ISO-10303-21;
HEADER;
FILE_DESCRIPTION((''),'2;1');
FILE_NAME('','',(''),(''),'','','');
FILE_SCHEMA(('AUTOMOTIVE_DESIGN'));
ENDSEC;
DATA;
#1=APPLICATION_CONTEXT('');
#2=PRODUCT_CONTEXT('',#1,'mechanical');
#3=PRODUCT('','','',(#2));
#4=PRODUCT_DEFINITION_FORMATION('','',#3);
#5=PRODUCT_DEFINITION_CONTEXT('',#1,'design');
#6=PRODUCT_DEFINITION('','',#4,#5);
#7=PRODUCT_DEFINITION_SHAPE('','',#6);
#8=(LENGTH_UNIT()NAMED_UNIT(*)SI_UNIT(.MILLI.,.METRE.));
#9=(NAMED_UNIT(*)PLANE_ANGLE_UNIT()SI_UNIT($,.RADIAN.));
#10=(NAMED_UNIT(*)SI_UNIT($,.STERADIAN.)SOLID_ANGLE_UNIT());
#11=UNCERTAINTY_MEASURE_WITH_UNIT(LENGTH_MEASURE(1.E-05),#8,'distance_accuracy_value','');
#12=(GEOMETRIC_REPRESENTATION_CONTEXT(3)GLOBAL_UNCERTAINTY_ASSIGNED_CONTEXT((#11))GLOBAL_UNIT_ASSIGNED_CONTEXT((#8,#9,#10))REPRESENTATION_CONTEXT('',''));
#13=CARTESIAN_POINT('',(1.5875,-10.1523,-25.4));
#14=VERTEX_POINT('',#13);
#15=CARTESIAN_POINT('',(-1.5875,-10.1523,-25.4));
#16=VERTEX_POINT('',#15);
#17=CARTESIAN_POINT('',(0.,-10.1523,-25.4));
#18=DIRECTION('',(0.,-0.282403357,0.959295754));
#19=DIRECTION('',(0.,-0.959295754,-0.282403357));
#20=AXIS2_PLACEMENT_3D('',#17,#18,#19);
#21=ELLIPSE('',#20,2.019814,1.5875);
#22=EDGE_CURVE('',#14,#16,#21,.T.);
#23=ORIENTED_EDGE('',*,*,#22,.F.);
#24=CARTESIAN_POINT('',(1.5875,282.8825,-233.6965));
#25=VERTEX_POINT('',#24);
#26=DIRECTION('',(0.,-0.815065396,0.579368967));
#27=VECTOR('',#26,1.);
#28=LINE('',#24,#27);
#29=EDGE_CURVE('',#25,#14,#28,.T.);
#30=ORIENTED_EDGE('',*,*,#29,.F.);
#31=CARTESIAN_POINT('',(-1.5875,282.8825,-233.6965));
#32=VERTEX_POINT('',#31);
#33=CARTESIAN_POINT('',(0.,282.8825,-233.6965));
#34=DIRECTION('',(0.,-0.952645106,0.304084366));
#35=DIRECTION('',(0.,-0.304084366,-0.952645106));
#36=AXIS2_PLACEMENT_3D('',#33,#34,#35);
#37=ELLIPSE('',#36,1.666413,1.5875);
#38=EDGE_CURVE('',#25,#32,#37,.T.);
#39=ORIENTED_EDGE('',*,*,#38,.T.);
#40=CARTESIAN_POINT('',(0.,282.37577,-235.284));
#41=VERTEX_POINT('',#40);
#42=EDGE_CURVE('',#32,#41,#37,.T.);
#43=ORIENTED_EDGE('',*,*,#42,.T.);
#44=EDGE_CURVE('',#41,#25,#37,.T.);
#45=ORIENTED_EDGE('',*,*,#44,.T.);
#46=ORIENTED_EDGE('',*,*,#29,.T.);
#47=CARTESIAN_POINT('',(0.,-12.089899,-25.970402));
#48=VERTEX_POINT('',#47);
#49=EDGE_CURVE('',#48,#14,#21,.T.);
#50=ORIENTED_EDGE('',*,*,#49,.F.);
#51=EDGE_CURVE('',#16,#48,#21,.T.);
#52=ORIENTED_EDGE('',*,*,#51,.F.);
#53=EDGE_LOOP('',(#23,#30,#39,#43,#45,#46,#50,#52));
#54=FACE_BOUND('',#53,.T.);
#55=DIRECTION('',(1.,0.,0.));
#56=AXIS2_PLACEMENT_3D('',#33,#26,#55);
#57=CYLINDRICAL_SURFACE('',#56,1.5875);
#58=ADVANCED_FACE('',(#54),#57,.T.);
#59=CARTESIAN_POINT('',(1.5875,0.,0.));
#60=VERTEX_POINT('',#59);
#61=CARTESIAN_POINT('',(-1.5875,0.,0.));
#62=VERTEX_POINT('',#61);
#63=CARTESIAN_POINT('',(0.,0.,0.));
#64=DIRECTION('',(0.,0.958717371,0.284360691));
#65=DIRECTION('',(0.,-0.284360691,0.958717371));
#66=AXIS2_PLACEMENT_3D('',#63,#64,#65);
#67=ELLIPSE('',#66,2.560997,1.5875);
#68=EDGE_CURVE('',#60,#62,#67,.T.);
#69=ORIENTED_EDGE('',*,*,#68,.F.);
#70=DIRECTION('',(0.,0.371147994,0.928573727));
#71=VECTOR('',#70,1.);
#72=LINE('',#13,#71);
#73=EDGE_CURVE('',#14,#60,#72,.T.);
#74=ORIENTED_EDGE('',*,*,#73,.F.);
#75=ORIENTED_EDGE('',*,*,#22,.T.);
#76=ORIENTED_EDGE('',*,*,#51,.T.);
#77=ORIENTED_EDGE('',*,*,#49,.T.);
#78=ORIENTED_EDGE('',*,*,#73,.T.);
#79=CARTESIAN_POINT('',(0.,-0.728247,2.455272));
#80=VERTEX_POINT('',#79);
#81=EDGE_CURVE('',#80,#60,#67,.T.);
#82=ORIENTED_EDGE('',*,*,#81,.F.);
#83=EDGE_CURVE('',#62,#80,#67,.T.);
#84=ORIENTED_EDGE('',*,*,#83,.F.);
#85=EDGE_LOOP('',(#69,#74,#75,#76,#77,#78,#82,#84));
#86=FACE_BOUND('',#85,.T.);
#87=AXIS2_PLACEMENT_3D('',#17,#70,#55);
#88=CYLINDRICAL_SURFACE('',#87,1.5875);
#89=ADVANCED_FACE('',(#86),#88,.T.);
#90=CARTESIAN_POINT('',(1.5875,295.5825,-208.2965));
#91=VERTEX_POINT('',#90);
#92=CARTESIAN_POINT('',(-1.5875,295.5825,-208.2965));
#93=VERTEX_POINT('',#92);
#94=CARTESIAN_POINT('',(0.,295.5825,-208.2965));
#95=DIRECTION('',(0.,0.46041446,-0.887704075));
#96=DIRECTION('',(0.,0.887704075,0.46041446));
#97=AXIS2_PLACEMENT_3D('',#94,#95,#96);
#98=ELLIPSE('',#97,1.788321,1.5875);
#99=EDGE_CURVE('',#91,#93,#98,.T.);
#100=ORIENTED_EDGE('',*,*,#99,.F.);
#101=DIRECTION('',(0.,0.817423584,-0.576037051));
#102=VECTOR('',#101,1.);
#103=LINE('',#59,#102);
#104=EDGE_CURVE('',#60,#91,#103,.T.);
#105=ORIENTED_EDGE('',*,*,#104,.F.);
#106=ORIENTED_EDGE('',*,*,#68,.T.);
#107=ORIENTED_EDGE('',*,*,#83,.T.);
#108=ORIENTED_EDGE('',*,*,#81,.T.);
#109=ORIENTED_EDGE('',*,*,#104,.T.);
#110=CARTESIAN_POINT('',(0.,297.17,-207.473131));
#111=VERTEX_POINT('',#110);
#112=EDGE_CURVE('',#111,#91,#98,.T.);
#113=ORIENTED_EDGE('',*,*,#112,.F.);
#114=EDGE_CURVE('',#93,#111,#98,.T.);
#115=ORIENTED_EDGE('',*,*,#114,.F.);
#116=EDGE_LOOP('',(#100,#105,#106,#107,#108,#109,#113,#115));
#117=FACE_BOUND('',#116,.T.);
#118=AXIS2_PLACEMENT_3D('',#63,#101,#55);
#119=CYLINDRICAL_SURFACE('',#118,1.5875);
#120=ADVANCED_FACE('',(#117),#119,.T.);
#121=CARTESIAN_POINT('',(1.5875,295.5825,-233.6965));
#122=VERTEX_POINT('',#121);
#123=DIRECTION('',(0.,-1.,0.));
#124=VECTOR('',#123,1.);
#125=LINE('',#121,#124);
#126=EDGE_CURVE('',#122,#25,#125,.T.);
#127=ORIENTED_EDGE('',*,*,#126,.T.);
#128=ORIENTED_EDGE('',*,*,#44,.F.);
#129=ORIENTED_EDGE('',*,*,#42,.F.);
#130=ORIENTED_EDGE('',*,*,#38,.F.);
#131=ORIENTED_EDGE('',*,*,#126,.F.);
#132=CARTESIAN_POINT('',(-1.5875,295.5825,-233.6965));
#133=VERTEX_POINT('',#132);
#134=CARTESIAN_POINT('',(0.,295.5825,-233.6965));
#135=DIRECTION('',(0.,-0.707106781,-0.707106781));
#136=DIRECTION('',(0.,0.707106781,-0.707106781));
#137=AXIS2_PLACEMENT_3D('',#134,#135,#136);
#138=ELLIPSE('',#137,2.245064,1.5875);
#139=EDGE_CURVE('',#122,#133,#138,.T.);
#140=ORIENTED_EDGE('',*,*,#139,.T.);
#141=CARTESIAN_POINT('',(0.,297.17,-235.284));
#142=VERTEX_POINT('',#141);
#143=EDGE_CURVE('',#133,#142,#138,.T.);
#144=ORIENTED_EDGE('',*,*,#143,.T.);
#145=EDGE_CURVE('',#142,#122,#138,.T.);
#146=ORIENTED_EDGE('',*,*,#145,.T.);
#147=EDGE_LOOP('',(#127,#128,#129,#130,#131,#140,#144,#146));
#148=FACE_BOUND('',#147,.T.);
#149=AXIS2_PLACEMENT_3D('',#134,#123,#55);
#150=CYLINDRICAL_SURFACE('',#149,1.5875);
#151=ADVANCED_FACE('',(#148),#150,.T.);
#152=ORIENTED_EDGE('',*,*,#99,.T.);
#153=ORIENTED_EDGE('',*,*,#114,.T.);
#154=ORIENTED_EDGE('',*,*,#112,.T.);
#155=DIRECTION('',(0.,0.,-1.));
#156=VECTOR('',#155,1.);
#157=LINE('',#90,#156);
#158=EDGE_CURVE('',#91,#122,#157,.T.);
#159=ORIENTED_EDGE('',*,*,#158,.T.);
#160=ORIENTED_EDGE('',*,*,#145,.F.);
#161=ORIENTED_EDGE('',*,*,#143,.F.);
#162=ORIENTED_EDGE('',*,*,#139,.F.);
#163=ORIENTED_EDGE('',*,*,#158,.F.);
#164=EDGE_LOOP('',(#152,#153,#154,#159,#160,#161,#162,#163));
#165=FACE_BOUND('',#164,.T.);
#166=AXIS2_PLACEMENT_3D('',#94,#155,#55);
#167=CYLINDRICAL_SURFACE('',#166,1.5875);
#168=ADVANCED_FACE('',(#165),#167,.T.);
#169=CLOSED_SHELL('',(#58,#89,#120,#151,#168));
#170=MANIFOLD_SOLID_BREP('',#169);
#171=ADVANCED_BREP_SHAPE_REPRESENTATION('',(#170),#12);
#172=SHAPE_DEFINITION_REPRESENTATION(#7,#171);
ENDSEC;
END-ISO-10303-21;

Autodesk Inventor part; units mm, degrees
ref_plane "YZ Plane" through (0, 0, 0) normal (1, 0, 0) x (0, 1, 0)
ref_plane "XZ Plane" through (0, 0, 0) normal (0, 1, 0) x (-1, 0, 0)
sketch "Sketch1" plane through (0, 0, 0) normal (1, 0, 0) x (0, 1, 0)
  line L0 (295.5825, -208.2965) -> (295.5825, -233.6965)
  line L1 (295.5825, -233.6965) -> (282.8825, -233.6965)
  line L2 (282.8825, -233.6965) -> (-10.1523, -25.4)
  line L3 (-10.1523, -25.4) -> (0, 0)
  line L4 (0, 0) -> (295.5825, -208.2965)
  point P0 (0, 0)
  dimension "d0" = 0
  dimension "d1" = 0
  dimension "d2" = 25.4
  dimension "d4" = 25.4
  dimension "d5" = 12.7
ref_plane "Work Plane1" through (0, 295.5825, -233.6965) normal (0, 0, 1) x (1, 0, 0)
sketch "Sketch3" plane through (0, 295.5825, -233.6965) normal (0, 0, 1) x (1, 0, 0)
  circle A0 centre (0, 0) radius 1.5875
  point P0 (0, -295.5825)
  dimension "d9" = 3.175
sweep "Sweep2" add profiles "Sketch3" path "Sketch1"
properties part number "steel cable"
